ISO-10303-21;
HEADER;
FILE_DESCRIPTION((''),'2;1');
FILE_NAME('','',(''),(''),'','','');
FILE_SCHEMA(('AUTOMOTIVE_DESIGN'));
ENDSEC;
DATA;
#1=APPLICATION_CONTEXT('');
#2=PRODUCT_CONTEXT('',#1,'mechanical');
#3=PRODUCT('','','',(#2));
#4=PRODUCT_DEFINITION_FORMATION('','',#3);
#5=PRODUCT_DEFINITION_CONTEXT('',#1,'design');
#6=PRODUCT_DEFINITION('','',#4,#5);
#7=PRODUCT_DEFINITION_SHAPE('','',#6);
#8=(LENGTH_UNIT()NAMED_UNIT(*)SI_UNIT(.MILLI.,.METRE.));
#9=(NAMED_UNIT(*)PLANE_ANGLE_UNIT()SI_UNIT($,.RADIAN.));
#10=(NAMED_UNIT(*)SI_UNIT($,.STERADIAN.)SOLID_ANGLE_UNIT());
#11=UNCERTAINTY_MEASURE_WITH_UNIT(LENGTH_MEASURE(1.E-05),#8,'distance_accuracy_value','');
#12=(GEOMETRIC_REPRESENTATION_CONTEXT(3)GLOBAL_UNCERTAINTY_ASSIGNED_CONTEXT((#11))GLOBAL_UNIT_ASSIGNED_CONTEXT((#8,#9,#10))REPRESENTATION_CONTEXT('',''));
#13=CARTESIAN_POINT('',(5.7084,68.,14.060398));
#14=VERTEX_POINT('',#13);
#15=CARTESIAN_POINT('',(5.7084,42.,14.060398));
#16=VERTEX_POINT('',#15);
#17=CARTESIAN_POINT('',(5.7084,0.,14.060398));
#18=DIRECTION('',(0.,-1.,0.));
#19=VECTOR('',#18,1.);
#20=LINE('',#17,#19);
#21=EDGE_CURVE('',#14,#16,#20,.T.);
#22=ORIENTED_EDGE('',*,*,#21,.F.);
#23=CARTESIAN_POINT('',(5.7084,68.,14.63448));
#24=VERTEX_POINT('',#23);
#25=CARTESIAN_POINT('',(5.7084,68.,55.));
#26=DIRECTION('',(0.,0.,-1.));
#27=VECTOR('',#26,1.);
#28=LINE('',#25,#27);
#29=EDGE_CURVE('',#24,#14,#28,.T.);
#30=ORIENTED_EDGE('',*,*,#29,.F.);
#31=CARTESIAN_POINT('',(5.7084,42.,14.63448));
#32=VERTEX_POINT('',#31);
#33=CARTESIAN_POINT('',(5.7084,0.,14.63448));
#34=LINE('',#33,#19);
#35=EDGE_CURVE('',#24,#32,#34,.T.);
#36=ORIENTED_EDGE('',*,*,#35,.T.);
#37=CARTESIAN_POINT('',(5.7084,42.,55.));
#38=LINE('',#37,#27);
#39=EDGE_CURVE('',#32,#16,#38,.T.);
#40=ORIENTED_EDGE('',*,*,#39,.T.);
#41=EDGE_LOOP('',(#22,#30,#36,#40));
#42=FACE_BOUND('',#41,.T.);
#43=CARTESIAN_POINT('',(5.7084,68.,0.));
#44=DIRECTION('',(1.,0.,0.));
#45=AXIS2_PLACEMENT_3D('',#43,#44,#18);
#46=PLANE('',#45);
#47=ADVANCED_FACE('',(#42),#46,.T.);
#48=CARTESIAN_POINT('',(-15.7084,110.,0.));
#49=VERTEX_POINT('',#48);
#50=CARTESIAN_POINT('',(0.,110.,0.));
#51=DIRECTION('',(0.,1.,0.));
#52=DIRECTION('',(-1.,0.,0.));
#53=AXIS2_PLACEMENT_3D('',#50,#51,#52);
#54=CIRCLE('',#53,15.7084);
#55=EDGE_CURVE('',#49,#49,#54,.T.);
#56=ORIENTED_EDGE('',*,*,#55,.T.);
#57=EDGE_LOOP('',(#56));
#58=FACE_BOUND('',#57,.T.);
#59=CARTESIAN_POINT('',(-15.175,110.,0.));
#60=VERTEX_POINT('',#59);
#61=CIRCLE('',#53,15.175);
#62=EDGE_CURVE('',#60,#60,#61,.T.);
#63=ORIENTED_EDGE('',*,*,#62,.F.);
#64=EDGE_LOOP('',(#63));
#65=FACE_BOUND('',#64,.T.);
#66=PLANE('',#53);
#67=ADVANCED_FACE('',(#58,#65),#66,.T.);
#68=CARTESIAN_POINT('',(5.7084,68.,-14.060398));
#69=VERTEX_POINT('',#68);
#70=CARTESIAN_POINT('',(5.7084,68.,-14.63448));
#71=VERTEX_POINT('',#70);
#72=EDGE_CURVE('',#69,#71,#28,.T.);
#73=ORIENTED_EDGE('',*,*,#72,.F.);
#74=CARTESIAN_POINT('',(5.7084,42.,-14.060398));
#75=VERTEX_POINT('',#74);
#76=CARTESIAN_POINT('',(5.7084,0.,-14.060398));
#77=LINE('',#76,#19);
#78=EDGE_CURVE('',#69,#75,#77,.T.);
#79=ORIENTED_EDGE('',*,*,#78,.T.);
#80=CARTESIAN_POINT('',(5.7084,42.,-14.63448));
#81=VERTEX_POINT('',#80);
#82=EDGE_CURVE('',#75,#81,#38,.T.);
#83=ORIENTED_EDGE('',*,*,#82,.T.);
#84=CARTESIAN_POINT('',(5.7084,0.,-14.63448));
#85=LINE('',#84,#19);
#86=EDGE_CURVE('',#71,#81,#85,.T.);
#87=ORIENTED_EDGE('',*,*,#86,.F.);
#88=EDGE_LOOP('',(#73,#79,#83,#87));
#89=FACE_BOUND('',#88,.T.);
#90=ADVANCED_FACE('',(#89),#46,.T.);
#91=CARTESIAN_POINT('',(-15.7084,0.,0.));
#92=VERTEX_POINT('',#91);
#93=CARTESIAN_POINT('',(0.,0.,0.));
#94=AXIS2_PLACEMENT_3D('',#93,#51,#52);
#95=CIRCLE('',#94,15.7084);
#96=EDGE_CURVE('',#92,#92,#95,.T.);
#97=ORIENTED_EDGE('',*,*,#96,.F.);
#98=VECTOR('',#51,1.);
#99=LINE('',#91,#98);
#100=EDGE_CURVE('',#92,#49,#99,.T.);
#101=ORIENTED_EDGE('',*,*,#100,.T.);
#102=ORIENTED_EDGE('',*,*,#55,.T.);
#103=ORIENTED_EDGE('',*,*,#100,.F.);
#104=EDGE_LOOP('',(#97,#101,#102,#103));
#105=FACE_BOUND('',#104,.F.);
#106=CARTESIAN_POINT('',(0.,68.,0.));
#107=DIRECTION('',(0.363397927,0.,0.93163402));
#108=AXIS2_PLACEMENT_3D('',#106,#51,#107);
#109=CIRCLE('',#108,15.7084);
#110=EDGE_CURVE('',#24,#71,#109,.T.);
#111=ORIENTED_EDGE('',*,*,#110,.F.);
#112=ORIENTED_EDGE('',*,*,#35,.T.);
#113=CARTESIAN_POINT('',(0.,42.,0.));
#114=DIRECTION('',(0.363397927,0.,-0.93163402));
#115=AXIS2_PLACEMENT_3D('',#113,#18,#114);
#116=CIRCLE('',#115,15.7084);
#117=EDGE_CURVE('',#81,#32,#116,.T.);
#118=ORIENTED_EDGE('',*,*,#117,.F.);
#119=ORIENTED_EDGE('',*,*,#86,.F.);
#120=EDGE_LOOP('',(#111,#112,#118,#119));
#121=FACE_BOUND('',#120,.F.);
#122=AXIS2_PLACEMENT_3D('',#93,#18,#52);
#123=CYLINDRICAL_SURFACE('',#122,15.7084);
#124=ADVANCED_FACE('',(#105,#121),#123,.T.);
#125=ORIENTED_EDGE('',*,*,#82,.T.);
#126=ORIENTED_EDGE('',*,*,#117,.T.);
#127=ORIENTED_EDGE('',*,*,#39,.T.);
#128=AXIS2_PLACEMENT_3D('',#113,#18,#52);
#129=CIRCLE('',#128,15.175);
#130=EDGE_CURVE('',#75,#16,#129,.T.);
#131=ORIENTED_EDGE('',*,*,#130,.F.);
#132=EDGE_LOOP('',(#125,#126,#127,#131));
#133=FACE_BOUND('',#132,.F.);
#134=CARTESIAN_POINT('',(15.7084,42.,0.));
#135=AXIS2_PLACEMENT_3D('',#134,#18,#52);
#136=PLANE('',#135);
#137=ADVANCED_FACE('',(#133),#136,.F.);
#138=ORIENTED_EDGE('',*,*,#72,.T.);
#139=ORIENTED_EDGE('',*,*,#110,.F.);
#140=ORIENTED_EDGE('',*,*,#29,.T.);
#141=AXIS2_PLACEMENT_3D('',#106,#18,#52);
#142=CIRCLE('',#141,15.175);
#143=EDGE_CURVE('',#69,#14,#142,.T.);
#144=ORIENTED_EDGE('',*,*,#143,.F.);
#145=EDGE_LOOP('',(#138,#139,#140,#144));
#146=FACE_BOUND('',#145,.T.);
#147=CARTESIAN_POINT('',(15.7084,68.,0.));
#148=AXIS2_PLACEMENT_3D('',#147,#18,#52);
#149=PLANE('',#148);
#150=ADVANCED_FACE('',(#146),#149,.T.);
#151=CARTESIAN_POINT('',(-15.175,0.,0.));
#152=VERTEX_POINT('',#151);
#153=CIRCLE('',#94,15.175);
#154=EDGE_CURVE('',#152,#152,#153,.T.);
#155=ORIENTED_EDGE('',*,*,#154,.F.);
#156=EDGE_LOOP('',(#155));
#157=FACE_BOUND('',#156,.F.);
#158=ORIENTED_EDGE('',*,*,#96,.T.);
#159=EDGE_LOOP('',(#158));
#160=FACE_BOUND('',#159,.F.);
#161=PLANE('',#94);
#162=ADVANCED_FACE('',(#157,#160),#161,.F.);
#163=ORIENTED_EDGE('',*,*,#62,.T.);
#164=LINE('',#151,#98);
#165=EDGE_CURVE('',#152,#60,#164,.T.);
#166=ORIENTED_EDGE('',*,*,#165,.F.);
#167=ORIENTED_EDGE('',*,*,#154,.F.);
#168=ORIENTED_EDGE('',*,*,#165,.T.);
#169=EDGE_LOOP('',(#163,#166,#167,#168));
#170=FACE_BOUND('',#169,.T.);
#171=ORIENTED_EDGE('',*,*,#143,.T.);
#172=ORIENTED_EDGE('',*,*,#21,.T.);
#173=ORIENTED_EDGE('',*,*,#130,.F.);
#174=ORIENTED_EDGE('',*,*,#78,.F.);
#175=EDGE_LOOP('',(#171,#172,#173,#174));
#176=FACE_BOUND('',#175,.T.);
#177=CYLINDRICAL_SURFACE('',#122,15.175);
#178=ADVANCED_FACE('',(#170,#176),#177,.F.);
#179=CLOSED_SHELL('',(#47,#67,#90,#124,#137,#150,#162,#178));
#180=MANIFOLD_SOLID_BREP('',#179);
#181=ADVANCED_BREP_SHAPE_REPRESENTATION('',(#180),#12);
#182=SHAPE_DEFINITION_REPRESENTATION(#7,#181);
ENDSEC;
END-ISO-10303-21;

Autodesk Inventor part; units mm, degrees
ref_plane "YZ Plane" through (0, 0, 0) normal (1, 0, 0) x (0, 1, 0)
ref_plane "XZ Plane" through (0, 0, 0) normal (0, 1, 0) x (-1, 0, 0)
ref_plane "XY Plane" through (0, 0, 0) normal (0, 0, 1) x (1, 0, 0)
sketch "Sketch1" plane through (0, 0, 0) normal (0, 1, 0) x (-1, 0, 0)
  circle A0 centre (0, 0) radius 15.175
  circle A1 centre (0, 0) radius 15.7084
  dimension "d1" = 30.35
  dimension "d2" = 31.4168
extrude "Extrusion1" add sketch "Sketch1" along normal blind 110
sketch "Sketch3" plane through (0, 0, 0) normal (0, 0, 1) x (1, 0, 0)
  line L0 (15.7084, 42) -> (15.7084, 68)
  line L1 (15.7084, 68) -> (5.7084, 68)
  line L2 (5.7084, 68) -> (5.7084, 42)
  line L3 (15.7084, 42) -> (5.7084, 42)
  point P0 (0, 0)
  dimension "d7" = 26
  dimension "d8" = 10
extrude "Extrusion2" cut sketch "Sketch3" along normal mid plane 110
properties part number "DPLX_P007_Wire_Mesh_Sleeve_Spark_Gap" material "Stucco"
